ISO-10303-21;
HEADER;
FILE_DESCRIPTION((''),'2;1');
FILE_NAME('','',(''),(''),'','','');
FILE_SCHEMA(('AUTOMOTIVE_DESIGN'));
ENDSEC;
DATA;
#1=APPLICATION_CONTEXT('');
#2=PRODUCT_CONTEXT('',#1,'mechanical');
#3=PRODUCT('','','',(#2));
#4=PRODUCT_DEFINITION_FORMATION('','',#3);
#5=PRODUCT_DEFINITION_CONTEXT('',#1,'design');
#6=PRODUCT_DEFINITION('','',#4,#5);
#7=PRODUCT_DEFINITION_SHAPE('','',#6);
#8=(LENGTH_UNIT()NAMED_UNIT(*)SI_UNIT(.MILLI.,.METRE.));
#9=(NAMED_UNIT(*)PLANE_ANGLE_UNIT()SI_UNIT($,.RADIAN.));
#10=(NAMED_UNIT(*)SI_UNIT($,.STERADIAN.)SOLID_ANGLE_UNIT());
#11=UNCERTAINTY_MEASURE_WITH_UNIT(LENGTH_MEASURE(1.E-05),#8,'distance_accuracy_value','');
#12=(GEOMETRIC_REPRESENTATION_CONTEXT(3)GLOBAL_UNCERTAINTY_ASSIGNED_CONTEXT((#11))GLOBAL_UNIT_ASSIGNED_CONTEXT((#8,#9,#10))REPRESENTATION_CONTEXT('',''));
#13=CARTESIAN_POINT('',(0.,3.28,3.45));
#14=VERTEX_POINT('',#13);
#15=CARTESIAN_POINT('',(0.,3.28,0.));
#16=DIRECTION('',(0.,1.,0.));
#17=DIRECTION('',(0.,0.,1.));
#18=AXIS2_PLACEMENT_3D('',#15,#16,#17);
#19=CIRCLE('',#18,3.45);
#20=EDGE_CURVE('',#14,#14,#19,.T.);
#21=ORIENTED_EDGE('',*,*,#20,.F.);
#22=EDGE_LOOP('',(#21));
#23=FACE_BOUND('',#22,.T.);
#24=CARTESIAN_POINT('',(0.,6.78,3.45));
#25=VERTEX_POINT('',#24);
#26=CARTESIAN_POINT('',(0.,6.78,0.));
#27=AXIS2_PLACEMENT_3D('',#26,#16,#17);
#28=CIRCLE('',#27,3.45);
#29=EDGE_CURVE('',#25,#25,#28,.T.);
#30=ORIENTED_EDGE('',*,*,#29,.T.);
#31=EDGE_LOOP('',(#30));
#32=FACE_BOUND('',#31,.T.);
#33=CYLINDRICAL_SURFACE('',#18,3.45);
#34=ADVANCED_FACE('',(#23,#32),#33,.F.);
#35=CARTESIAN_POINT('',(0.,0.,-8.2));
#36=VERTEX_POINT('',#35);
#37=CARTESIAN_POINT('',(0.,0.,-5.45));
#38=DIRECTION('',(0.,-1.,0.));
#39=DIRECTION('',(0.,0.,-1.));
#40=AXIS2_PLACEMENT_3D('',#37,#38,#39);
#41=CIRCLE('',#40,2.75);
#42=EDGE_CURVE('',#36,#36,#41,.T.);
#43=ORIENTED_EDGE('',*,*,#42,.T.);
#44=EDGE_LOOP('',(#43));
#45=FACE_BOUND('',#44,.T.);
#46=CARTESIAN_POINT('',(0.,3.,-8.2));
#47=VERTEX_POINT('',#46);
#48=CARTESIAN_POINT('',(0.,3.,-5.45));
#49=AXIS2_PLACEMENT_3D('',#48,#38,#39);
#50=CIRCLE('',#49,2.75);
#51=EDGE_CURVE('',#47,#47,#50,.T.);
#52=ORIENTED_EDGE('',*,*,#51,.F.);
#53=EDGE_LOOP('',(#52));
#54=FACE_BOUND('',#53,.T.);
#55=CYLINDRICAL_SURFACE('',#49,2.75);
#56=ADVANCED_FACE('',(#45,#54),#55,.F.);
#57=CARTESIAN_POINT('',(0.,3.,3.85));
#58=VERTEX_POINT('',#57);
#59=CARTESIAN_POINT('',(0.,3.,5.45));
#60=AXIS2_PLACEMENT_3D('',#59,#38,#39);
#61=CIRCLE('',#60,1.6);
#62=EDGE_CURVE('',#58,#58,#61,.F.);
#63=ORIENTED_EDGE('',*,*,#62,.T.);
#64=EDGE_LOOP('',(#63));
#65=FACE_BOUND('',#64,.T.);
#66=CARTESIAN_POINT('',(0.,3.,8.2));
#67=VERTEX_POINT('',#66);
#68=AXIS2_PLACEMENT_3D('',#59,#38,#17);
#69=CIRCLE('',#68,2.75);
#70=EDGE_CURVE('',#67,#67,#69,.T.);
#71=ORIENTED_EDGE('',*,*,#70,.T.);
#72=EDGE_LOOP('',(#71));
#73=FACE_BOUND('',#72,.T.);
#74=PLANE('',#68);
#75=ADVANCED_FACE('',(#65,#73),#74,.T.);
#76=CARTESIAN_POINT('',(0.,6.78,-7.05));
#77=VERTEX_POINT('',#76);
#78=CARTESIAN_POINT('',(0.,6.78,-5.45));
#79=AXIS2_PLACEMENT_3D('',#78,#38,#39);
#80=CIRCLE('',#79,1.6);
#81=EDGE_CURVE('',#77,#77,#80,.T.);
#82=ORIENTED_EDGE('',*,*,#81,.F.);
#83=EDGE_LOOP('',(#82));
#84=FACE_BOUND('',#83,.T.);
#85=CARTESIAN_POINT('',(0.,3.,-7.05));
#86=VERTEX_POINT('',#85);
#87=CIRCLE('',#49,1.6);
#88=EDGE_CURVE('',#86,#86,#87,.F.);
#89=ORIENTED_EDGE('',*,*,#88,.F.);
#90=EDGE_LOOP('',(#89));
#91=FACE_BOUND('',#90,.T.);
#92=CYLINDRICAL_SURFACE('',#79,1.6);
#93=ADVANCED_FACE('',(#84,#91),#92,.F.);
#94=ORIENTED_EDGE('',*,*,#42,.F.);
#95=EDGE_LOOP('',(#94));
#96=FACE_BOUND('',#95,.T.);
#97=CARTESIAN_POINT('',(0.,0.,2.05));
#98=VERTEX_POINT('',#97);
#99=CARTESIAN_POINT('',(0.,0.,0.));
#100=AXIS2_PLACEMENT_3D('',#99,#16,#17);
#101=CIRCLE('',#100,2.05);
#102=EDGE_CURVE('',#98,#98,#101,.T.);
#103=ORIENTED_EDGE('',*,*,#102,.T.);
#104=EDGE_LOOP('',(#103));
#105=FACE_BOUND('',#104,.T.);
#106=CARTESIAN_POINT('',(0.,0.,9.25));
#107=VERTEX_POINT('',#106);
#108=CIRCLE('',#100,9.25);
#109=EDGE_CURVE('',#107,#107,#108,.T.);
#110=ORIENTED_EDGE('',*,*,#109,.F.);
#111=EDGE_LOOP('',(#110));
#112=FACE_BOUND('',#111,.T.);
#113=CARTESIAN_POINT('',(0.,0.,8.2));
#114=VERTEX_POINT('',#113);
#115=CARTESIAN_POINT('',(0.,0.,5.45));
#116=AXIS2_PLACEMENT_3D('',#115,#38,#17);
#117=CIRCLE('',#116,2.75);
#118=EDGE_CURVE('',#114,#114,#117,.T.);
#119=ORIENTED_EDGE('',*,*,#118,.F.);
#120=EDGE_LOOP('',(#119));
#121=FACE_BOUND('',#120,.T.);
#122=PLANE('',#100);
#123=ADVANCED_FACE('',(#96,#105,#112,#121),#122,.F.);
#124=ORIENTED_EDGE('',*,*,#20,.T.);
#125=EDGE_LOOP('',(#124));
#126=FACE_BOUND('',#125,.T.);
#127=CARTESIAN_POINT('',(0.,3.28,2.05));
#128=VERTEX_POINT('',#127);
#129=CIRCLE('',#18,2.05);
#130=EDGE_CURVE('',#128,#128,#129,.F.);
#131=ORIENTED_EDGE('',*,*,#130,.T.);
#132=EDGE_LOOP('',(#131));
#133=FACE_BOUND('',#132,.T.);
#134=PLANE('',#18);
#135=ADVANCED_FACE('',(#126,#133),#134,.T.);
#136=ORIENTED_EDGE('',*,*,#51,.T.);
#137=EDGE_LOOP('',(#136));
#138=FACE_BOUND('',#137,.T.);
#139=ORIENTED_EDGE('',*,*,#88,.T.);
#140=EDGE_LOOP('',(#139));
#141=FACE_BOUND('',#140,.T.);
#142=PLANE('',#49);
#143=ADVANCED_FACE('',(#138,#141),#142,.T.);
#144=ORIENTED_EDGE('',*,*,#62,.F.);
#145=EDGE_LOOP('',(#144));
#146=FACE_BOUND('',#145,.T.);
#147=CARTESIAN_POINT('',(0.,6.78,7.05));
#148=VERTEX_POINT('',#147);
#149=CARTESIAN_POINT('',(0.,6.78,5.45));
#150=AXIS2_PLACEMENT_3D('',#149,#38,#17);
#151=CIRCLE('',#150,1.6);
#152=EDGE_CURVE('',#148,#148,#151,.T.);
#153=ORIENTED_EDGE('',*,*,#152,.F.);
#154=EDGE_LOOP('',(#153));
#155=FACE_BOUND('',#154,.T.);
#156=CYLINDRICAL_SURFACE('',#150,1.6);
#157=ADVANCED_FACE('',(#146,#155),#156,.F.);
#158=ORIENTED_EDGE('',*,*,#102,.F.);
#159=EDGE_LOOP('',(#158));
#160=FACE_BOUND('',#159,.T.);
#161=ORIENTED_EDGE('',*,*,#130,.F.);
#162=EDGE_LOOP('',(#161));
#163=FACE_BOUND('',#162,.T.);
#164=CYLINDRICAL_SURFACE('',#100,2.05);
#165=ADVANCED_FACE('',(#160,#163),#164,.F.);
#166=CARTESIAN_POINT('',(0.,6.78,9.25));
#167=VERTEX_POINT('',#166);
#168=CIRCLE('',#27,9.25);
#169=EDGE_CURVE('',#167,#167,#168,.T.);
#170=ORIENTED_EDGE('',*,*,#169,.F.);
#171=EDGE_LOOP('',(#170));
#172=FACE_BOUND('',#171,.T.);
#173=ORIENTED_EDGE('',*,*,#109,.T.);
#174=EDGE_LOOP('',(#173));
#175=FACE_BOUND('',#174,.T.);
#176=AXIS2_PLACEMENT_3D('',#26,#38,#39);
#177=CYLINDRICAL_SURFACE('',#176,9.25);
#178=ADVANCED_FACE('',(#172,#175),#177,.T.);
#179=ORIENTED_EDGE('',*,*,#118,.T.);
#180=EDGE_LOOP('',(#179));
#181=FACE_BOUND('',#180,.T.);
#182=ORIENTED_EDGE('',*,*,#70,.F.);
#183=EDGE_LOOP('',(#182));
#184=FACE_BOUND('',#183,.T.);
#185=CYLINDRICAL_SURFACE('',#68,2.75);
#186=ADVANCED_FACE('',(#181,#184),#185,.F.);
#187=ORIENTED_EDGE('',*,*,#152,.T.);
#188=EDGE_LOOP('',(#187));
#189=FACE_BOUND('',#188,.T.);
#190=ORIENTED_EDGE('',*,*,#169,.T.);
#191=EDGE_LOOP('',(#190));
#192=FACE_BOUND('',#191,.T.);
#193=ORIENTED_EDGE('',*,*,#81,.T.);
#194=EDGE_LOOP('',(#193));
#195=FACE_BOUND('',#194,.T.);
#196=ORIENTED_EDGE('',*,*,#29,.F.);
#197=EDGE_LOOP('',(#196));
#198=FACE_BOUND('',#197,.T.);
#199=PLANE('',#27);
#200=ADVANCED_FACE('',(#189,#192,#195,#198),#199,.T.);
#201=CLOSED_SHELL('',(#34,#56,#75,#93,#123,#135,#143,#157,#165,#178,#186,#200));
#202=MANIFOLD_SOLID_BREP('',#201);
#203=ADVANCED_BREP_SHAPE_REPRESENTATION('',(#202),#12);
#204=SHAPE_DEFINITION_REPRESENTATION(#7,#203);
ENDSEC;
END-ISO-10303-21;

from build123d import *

# Parameters (mm, degrees)
SKETCH1_R           = 9.25
BOSS_EXTRUDE1_DEPTH = 6.78
SKETCH2_R           = 2.05
CUT_EXTRUDE1_DEPTH  = 15.734089724
SKETCH3_R           = 3.45
CUT_EXTRUDE2_DEPTH  = 3.5
SKETCH4_R           = 1.6
CUT_EXTRUDE3_DEPTH  = 15.734089724
CIRPATTERN1_COUNT   = 2
SKETCH5_R           = 2.75
CUT_EXTRUDE4_DEPTH  = 3
CIRPATTERN2_COUNT   = 2


with BuildPart() as part:
    # Sketch1 → Boss-Extrude1 (new body)
    with BuildSketch(Plane(origin=(0, 0, 0), x_dir=(1, 0, 0), z_dir=(0, 1, 0))):
        with Locations(Location((0, 0, 0), (0, 0, 270))):
            Circle(SKETCH1_R)
    extrude(amount=BOSS_EXTRUDE1_DEPTH)

    # Sketch2 → Cut-Extrude1 (cut, through all)
    with BuildSketch(Plane(origin=(0, 6.78, 0), x_dir=(1, 0, 0), z_dir=(0, 1, 0))):
        with Locations(Location((0, 0, 0), (0, 0, 270))):
            Circle(SKETCH2_R)
    extrude(amount=-CUT_EXTRUDE1_DEPTH, mode=Mode.SUBTRACT)

    # Sketch3 → Cut-Extrude2 (cut)
    with BuildSketch(Plane(origin=(0, 6.78, 0), x_dir=(1, 0, 0), z_dir=(0, 1, 0))):
        with Locations(Location((0, 0, 0), (0, 0, 270))):
            Circle(SKETCH3_R)
    extrude(amount=-CUT_EXTRUDE2_DEPTH, mode=Mode.SUBTRACT)

    # Sketch4 → Cut-Extrude3 (cut, through all)
    with BuildSketch(Plane(origin=(0, 0, 0), x_dir=(-1, 0, 0), z_dir=(0, -1, 0))):
        with Locations(Location((0, 5.45, 0), (0, 0, 90))):
            Circle(SKETCH4_R)
    cut_extrude3 = extrude(amount=-CUT_EXTRUDE3_DEPTH, mode=Mode.SUBTRACT)

    # CirPattern1: Cut-Extrude3 ×2 about axis
    cirpattern1_axis = Axis((0, 0, 0), (0, 1, 0))
    for i in range(1, CIRPATTERN1_COUNT):
        add(cut_extrude3.rotate(cirpattern1_axis, i * 360 / CIRPATTERN1_COUNT), mode=Mode.SUBTRACT)

    # Sketch5 → Cut-Extrude4 (cut)
    with BuildSketch(Plane(origin=(0, 0, 0), x_dir=(-1, 0, 0), z_dir=(0, -1, 0))):
        with Locations(Location((0, 5.45, 0), (0, 0, 90))):
            Circle(SKETCH5_R)
    cut_extrude4 = extrude(amount=-CUT_EXTRUDE4_DEPTH, mode=Mode.SUBTRACT)

    # CirPattern2: Cut-Extrude4 ×2 about axis
    cirpattern2_axis = Axis((0, 0, 0), (0, 1, 0))
    for i in range(1, CIRPATTERN2_COUNT):
        add(cut_extrude4.rotate(cirpattern2_axis, i * 360 / CIRPATTERN2_COUNT), mode=Mode.SUBTRACT)


solid = part.part
